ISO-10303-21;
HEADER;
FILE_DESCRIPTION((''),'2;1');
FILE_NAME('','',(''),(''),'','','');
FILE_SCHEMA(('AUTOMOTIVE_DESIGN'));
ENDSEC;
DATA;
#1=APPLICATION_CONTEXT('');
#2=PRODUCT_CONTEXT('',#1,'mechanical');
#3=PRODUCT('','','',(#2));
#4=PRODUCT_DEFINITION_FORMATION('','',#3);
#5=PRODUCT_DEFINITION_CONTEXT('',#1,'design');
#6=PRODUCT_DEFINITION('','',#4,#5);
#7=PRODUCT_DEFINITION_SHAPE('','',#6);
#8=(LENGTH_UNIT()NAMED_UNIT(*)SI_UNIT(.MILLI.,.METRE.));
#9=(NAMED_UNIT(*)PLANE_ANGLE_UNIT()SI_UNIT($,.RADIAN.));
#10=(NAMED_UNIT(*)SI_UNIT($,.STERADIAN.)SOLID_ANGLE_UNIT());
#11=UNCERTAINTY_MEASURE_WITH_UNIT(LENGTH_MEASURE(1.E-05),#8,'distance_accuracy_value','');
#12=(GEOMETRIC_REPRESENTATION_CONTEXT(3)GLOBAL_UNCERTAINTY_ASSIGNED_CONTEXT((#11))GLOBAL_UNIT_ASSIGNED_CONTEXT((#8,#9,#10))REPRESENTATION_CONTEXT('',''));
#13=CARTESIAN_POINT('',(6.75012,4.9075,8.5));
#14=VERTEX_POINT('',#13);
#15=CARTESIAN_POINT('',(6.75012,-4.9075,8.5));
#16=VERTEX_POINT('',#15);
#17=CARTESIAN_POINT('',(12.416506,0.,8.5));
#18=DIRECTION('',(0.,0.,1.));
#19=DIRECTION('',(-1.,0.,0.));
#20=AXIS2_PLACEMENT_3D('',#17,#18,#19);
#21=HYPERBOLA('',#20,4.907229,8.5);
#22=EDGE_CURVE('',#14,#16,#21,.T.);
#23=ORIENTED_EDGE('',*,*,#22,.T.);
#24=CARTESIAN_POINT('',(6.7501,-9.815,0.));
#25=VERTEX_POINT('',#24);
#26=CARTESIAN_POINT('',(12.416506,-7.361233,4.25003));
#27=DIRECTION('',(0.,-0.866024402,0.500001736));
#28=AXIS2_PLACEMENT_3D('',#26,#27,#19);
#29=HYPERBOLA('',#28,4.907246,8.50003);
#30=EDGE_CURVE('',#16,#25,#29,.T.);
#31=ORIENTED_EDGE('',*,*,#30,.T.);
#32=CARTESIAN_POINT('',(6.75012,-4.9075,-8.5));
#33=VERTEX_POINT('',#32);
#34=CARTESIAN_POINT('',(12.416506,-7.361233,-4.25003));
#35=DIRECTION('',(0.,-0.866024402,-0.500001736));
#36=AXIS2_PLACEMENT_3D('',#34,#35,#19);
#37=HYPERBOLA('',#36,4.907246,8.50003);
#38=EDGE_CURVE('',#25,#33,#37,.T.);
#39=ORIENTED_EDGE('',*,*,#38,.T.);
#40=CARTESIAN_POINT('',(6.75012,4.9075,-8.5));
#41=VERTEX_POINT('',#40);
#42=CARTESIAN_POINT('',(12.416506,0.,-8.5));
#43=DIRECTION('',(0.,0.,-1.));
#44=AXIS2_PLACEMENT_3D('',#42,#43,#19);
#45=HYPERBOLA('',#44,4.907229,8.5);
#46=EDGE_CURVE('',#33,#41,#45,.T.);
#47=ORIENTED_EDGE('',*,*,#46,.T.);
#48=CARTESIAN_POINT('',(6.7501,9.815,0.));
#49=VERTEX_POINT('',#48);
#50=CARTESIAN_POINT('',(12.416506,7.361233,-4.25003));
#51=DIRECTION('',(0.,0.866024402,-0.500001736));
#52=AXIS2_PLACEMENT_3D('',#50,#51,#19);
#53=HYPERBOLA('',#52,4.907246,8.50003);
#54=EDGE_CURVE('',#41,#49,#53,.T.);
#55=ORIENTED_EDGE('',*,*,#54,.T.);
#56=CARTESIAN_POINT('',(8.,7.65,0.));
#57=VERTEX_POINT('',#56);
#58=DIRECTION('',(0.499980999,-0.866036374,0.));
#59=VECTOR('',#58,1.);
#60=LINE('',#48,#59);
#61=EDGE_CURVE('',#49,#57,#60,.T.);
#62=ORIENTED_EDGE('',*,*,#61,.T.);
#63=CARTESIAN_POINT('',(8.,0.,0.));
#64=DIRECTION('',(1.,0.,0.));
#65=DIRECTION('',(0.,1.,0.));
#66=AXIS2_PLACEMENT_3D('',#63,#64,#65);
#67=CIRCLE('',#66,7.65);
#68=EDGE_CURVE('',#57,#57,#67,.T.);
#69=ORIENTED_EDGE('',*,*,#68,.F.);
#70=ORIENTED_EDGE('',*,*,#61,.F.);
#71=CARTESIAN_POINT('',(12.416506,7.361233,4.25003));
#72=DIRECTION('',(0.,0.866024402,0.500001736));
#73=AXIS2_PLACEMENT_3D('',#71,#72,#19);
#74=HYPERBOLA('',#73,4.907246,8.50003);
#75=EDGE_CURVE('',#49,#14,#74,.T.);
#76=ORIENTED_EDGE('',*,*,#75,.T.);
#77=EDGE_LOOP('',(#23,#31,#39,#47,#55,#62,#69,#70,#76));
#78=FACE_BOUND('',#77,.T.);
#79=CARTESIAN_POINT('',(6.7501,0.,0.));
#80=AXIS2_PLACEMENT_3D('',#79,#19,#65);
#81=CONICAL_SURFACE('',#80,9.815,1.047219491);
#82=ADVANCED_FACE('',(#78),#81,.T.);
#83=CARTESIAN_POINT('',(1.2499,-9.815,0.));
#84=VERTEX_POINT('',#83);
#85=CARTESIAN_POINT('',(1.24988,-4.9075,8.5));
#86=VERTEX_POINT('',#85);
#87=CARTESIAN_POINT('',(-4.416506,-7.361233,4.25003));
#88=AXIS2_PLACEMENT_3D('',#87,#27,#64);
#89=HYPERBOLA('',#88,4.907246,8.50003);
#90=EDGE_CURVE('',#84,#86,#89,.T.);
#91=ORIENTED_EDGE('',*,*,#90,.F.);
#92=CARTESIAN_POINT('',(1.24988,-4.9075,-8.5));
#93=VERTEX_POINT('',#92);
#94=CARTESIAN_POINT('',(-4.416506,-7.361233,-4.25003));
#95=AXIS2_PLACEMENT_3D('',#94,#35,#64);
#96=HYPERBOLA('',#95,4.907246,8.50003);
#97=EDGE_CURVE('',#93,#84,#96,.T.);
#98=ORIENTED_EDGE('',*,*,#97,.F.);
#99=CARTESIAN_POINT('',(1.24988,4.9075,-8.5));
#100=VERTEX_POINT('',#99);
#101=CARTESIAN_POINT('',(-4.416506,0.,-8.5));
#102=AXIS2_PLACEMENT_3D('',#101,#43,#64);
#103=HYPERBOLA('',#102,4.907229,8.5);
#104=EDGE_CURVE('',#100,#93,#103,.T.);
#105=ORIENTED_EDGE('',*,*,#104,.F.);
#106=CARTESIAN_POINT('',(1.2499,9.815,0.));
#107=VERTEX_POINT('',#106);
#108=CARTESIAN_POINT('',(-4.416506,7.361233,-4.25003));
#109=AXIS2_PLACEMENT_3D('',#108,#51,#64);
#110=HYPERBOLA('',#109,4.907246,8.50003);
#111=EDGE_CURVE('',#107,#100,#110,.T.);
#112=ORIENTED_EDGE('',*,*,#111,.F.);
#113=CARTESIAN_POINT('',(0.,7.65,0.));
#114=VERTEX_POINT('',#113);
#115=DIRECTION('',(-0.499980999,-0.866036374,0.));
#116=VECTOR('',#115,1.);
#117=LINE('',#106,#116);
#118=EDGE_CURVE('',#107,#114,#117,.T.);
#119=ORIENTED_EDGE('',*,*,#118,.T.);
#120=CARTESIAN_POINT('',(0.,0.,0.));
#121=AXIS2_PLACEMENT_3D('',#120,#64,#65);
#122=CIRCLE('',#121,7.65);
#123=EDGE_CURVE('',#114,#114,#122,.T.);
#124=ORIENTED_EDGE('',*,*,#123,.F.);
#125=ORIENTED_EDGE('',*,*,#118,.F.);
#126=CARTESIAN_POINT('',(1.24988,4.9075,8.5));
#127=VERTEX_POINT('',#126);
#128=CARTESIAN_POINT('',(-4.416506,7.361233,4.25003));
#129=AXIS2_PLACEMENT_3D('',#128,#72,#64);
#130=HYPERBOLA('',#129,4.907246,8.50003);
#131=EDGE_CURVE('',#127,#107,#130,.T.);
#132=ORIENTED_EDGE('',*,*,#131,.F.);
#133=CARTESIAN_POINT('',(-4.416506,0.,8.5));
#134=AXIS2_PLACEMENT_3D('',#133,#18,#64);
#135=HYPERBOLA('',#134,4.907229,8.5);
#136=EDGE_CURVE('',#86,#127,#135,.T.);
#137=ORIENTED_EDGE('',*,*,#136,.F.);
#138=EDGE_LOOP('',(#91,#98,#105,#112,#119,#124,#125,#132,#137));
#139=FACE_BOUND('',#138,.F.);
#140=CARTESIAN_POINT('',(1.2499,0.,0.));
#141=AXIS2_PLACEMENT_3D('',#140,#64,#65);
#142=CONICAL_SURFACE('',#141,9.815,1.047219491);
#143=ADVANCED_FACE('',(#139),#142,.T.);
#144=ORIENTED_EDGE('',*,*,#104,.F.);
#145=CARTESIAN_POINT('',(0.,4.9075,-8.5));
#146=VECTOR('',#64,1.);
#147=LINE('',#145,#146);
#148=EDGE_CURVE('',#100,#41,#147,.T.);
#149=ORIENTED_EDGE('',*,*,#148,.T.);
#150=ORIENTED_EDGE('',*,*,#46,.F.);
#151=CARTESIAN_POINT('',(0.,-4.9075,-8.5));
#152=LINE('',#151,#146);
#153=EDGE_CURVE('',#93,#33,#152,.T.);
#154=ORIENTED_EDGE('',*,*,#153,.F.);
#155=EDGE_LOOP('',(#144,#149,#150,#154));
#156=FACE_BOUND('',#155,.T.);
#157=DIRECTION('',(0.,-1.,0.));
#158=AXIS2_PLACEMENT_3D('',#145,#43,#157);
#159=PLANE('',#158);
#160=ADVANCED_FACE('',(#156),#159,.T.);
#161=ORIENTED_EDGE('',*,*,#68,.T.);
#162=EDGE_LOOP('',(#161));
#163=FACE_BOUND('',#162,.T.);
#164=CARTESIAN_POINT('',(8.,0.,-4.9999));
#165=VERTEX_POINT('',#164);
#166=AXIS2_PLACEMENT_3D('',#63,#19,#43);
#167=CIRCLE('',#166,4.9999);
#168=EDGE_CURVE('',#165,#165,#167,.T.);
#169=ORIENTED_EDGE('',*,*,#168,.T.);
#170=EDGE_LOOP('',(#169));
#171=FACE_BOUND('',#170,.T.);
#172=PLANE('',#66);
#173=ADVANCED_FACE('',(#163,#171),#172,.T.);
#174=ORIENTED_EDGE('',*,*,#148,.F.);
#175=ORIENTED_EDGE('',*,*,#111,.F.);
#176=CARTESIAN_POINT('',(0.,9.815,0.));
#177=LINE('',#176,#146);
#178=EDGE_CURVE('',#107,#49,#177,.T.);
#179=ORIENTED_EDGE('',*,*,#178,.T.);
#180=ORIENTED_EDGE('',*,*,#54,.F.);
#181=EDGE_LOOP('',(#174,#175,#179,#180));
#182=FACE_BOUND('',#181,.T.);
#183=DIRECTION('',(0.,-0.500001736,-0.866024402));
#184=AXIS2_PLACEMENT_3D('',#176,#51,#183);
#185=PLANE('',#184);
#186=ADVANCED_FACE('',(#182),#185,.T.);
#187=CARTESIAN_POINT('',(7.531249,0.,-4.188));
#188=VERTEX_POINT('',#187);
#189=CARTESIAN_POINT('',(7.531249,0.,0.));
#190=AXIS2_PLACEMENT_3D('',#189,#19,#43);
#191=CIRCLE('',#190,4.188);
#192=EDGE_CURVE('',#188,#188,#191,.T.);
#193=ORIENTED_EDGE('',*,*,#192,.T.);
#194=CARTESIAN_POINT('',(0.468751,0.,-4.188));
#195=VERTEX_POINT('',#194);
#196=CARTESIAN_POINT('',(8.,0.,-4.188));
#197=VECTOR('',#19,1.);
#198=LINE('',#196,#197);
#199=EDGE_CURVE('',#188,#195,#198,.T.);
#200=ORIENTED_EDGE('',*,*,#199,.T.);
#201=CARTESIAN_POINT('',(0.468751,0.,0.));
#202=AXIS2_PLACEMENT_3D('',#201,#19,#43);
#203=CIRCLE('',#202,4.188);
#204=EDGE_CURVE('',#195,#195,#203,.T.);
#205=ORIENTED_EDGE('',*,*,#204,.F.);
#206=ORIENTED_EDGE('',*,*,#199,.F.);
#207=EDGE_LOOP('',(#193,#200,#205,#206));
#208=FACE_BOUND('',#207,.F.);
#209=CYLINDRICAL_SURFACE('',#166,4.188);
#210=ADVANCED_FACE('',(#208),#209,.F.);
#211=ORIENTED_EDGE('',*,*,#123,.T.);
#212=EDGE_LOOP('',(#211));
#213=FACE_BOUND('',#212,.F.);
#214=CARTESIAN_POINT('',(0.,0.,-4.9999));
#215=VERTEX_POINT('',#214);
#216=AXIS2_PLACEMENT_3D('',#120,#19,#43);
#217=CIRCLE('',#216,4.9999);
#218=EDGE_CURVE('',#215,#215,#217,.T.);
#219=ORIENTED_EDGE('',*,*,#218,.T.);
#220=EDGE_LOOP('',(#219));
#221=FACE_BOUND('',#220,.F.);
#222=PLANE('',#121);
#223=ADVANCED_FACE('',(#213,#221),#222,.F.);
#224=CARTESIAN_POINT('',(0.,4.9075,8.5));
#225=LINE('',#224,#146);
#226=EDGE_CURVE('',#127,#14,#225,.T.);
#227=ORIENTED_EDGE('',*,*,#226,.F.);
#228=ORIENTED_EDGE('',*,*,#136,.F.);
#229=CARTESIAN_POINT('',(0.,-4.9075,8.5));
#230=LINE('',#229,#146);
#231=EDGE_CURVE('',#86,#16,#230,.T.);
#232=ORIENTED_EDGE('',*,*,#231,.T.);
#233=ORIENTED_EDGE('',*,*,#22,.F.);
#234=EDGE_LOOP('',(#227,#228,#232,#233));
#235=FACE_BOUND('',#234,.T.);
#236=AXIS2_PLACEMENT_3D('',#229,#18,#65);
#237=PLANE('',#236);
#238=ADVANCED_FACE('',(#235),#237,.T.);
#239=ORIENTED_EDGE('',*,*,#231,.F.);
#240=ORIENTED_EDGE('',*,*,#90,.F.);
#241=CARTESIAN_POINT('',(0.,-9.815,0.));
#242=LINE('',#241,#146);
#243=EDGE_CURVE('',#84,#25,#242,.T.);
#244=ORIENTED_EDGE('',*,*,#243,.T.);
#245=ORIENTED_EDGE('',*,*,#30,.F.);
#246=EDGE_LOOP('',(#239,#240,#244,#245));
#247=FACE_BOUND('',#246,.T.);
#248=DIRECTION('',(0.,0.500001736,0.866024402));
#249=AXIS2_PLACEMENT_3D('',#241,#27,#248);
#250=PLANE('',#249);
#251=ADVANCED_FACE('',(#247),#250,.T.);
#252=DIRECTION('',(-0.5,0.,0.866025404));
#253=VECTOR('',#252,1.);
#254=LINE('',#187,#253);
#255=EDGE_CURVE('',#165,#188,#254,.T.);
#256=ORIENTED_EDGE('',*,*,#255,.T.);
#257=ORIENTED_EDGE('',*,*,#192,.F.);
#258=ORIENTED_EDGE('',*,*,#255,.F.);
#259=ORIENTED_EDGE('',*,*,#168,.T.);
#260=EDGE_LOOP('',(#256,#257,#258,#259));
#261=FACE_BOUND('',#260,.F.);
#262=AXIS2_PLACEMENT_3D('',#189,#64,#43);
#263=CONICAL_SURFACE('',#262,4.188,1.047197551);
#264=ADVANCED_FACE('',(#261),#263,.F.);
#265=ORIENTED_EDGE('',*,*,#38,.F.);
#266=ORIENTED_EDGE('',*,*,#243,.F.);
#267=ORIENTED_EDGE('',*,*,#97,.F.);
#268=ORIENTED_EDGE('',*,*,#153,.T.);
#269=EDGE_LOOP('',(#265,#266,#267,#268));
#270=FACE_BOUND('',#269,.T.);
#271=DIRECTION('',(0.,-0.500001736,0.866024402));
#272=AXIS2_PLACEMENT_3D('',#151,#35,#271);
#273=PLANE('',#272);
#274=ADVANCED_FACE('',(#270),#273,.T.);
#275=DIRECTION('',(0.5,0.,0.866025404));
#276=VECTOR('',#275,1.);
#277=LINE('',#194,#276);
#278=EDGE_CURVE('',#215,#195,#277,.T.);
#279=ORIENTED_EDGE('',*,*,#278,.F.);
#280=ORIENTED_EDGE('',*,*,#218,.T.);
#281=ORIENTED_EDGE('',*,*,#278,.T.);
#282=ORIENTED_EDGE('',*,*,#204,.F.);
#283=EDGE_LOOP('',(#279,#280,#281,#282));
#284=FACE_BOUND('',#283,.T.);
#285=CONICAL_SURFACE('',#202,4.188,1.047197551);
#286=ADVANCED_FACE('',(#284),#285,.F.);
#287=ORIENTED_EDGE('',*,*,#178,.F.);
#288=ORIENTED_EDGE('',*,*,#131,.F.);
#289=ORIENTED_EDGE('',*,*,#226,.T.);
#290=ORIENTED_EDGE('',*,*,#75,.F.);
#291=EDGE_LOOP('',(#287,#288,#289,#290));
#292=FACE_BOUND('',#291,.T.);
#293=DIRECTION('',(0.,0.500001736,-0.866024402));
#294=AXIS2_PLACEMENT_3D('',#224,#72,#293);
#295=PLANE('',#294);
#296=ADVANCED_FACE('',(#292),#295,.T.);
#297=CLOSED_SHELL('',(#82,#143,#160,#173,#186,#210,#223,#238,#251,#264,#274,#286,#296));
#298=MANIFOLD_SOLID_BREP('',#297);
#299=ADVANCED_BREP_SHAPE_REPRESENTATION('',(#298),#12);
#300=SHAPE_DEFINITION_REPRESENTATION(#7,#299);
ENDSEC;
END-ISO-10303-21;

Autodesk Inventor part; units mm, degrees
ref_plane "YZ Plane" through (0, 0, 0) normal (1, 0, 0) x (0, 1, 0)
ref_plane "XZ Plane" through (0, 0, 0) normal (0, 1, 0) x (-1, 0, 0)
sketch "Sketch1" plane through (0, 0, 0) normal (1, 0, 0) x (0, 1, 0)
  line L0 (-9.815, 0) -> (-4.9075, 8.5)
  line L1 (-4.9075, 8.5) -> (4.9075, 8.5)
  line L2 (4.9075, 8.5) -> (9.815, 0)
  line L3 (9.815, 0) -> (4.9075, -8.5)
  line L4 (4.9075, -8.5) -> (-4.9075, -8.5)
  line L5 (-4.9075, -8.5) -> (-9.815, 0)
  point P0 (0, 0)
  point P1 (0, 0)
  dimension "d0" = 19.6299
extrude "Body" add sketch "Sketch1" along normal blind 8
sketch "Sketch2" plane through (0, 0, 0) normal (0, 0, 1) x (1, 0, 0)
  line L0 (0, 4.9075) -> (0, 9.815) projected
  line L1 (0, 9.815) -> (8, 9.815) projected
  line L2 (8, 4.9075) -> (8, 9.815) projected
  line L3 (-0.8, 0) -> (10.4, 0) projected
  line L4 (1.2499, 9.815) -> (0, 7.65)
  line L5 (6.7501, 9.815) -> (8, 7.65)
  dimension "d3" = 30
  dimension "d4" = 30
  dimension "d5" = 15.3
  dimension "d6" = 15.3
revolve "Chamfer1" cut sketch "Sketch2" angle 360 about axis through (-10, 0, 0) along (1, 0, 0)
sketch "Sketch3" plane through (8, 0, 0) normal (1, 0, 0) x (0, 0, -1)
  arc A0 (-0.625, -1.0825) -> (0.625, -1.0825) centre (0, 0) ccw projected
hole "Thread" at (8, 0, 0) direction (-1, 0, 0) diameter 8.376 end through all thread size "M10x1.5" class "6H" standard "ISO Metric profile"
chamfer "Chamfer2" distance 0.8119 angle 30 1 edges at (8, 0, 4.188) measured on face at (8, 6.4117, -0.7785)
chamfer "Chamfer3" distance 0.8119 angle 30 1 edges at (0, 0, 4.188) measured on face at (0, 6.4117, -0.7785)
ref_plane "Work Plane1" through (-19.2723, 0, 0) normal (0, -0.866, -0.5) x (1, 0, 0)
equation "\"d0\" = 1.1547 * SW"
equation "\"d1\" = KOH"
equation "\"d3\" = ANG1"
equation "\"d4\" = ANG2"
equation "\"d5\" = SW0"
equation "\"d6\" = SW01"
equation "\"d8\" = -0.5 * GD1 + 0.5 * NND"
equation "\"d40\" = -0.5 * GD1 + 0.5 * NND"
equation "\"d10\" = -0.5 * GD1 + 0.5 * NND"
equation "\"d41\" = -0.5 * GD1 + 0.5 * NND"
equation "\"ANG1\" = 30deg"
equation "\"ANG2\" = 30deg"
equation "\"KOH\" = 8"
equation "\"SW\" = 17"
equation "\"SW0\" = SW01"
equation "\"SW01\" = 15.3"
equation "\"GUL\" = 0.541266 * PTC"
equation "\"TOA\" = 30deg"
equation "\"PTC\" = 1.5"
equation "\"E0\" = 1.155 * SW"
equation "\"GAL\" = 0.541266 * PTC"
equation "\"GD1\" = 8.376202"
equation "\"NND\" = 10"
properties part number "DIN 934 - M10" material "Steel, Mild"
